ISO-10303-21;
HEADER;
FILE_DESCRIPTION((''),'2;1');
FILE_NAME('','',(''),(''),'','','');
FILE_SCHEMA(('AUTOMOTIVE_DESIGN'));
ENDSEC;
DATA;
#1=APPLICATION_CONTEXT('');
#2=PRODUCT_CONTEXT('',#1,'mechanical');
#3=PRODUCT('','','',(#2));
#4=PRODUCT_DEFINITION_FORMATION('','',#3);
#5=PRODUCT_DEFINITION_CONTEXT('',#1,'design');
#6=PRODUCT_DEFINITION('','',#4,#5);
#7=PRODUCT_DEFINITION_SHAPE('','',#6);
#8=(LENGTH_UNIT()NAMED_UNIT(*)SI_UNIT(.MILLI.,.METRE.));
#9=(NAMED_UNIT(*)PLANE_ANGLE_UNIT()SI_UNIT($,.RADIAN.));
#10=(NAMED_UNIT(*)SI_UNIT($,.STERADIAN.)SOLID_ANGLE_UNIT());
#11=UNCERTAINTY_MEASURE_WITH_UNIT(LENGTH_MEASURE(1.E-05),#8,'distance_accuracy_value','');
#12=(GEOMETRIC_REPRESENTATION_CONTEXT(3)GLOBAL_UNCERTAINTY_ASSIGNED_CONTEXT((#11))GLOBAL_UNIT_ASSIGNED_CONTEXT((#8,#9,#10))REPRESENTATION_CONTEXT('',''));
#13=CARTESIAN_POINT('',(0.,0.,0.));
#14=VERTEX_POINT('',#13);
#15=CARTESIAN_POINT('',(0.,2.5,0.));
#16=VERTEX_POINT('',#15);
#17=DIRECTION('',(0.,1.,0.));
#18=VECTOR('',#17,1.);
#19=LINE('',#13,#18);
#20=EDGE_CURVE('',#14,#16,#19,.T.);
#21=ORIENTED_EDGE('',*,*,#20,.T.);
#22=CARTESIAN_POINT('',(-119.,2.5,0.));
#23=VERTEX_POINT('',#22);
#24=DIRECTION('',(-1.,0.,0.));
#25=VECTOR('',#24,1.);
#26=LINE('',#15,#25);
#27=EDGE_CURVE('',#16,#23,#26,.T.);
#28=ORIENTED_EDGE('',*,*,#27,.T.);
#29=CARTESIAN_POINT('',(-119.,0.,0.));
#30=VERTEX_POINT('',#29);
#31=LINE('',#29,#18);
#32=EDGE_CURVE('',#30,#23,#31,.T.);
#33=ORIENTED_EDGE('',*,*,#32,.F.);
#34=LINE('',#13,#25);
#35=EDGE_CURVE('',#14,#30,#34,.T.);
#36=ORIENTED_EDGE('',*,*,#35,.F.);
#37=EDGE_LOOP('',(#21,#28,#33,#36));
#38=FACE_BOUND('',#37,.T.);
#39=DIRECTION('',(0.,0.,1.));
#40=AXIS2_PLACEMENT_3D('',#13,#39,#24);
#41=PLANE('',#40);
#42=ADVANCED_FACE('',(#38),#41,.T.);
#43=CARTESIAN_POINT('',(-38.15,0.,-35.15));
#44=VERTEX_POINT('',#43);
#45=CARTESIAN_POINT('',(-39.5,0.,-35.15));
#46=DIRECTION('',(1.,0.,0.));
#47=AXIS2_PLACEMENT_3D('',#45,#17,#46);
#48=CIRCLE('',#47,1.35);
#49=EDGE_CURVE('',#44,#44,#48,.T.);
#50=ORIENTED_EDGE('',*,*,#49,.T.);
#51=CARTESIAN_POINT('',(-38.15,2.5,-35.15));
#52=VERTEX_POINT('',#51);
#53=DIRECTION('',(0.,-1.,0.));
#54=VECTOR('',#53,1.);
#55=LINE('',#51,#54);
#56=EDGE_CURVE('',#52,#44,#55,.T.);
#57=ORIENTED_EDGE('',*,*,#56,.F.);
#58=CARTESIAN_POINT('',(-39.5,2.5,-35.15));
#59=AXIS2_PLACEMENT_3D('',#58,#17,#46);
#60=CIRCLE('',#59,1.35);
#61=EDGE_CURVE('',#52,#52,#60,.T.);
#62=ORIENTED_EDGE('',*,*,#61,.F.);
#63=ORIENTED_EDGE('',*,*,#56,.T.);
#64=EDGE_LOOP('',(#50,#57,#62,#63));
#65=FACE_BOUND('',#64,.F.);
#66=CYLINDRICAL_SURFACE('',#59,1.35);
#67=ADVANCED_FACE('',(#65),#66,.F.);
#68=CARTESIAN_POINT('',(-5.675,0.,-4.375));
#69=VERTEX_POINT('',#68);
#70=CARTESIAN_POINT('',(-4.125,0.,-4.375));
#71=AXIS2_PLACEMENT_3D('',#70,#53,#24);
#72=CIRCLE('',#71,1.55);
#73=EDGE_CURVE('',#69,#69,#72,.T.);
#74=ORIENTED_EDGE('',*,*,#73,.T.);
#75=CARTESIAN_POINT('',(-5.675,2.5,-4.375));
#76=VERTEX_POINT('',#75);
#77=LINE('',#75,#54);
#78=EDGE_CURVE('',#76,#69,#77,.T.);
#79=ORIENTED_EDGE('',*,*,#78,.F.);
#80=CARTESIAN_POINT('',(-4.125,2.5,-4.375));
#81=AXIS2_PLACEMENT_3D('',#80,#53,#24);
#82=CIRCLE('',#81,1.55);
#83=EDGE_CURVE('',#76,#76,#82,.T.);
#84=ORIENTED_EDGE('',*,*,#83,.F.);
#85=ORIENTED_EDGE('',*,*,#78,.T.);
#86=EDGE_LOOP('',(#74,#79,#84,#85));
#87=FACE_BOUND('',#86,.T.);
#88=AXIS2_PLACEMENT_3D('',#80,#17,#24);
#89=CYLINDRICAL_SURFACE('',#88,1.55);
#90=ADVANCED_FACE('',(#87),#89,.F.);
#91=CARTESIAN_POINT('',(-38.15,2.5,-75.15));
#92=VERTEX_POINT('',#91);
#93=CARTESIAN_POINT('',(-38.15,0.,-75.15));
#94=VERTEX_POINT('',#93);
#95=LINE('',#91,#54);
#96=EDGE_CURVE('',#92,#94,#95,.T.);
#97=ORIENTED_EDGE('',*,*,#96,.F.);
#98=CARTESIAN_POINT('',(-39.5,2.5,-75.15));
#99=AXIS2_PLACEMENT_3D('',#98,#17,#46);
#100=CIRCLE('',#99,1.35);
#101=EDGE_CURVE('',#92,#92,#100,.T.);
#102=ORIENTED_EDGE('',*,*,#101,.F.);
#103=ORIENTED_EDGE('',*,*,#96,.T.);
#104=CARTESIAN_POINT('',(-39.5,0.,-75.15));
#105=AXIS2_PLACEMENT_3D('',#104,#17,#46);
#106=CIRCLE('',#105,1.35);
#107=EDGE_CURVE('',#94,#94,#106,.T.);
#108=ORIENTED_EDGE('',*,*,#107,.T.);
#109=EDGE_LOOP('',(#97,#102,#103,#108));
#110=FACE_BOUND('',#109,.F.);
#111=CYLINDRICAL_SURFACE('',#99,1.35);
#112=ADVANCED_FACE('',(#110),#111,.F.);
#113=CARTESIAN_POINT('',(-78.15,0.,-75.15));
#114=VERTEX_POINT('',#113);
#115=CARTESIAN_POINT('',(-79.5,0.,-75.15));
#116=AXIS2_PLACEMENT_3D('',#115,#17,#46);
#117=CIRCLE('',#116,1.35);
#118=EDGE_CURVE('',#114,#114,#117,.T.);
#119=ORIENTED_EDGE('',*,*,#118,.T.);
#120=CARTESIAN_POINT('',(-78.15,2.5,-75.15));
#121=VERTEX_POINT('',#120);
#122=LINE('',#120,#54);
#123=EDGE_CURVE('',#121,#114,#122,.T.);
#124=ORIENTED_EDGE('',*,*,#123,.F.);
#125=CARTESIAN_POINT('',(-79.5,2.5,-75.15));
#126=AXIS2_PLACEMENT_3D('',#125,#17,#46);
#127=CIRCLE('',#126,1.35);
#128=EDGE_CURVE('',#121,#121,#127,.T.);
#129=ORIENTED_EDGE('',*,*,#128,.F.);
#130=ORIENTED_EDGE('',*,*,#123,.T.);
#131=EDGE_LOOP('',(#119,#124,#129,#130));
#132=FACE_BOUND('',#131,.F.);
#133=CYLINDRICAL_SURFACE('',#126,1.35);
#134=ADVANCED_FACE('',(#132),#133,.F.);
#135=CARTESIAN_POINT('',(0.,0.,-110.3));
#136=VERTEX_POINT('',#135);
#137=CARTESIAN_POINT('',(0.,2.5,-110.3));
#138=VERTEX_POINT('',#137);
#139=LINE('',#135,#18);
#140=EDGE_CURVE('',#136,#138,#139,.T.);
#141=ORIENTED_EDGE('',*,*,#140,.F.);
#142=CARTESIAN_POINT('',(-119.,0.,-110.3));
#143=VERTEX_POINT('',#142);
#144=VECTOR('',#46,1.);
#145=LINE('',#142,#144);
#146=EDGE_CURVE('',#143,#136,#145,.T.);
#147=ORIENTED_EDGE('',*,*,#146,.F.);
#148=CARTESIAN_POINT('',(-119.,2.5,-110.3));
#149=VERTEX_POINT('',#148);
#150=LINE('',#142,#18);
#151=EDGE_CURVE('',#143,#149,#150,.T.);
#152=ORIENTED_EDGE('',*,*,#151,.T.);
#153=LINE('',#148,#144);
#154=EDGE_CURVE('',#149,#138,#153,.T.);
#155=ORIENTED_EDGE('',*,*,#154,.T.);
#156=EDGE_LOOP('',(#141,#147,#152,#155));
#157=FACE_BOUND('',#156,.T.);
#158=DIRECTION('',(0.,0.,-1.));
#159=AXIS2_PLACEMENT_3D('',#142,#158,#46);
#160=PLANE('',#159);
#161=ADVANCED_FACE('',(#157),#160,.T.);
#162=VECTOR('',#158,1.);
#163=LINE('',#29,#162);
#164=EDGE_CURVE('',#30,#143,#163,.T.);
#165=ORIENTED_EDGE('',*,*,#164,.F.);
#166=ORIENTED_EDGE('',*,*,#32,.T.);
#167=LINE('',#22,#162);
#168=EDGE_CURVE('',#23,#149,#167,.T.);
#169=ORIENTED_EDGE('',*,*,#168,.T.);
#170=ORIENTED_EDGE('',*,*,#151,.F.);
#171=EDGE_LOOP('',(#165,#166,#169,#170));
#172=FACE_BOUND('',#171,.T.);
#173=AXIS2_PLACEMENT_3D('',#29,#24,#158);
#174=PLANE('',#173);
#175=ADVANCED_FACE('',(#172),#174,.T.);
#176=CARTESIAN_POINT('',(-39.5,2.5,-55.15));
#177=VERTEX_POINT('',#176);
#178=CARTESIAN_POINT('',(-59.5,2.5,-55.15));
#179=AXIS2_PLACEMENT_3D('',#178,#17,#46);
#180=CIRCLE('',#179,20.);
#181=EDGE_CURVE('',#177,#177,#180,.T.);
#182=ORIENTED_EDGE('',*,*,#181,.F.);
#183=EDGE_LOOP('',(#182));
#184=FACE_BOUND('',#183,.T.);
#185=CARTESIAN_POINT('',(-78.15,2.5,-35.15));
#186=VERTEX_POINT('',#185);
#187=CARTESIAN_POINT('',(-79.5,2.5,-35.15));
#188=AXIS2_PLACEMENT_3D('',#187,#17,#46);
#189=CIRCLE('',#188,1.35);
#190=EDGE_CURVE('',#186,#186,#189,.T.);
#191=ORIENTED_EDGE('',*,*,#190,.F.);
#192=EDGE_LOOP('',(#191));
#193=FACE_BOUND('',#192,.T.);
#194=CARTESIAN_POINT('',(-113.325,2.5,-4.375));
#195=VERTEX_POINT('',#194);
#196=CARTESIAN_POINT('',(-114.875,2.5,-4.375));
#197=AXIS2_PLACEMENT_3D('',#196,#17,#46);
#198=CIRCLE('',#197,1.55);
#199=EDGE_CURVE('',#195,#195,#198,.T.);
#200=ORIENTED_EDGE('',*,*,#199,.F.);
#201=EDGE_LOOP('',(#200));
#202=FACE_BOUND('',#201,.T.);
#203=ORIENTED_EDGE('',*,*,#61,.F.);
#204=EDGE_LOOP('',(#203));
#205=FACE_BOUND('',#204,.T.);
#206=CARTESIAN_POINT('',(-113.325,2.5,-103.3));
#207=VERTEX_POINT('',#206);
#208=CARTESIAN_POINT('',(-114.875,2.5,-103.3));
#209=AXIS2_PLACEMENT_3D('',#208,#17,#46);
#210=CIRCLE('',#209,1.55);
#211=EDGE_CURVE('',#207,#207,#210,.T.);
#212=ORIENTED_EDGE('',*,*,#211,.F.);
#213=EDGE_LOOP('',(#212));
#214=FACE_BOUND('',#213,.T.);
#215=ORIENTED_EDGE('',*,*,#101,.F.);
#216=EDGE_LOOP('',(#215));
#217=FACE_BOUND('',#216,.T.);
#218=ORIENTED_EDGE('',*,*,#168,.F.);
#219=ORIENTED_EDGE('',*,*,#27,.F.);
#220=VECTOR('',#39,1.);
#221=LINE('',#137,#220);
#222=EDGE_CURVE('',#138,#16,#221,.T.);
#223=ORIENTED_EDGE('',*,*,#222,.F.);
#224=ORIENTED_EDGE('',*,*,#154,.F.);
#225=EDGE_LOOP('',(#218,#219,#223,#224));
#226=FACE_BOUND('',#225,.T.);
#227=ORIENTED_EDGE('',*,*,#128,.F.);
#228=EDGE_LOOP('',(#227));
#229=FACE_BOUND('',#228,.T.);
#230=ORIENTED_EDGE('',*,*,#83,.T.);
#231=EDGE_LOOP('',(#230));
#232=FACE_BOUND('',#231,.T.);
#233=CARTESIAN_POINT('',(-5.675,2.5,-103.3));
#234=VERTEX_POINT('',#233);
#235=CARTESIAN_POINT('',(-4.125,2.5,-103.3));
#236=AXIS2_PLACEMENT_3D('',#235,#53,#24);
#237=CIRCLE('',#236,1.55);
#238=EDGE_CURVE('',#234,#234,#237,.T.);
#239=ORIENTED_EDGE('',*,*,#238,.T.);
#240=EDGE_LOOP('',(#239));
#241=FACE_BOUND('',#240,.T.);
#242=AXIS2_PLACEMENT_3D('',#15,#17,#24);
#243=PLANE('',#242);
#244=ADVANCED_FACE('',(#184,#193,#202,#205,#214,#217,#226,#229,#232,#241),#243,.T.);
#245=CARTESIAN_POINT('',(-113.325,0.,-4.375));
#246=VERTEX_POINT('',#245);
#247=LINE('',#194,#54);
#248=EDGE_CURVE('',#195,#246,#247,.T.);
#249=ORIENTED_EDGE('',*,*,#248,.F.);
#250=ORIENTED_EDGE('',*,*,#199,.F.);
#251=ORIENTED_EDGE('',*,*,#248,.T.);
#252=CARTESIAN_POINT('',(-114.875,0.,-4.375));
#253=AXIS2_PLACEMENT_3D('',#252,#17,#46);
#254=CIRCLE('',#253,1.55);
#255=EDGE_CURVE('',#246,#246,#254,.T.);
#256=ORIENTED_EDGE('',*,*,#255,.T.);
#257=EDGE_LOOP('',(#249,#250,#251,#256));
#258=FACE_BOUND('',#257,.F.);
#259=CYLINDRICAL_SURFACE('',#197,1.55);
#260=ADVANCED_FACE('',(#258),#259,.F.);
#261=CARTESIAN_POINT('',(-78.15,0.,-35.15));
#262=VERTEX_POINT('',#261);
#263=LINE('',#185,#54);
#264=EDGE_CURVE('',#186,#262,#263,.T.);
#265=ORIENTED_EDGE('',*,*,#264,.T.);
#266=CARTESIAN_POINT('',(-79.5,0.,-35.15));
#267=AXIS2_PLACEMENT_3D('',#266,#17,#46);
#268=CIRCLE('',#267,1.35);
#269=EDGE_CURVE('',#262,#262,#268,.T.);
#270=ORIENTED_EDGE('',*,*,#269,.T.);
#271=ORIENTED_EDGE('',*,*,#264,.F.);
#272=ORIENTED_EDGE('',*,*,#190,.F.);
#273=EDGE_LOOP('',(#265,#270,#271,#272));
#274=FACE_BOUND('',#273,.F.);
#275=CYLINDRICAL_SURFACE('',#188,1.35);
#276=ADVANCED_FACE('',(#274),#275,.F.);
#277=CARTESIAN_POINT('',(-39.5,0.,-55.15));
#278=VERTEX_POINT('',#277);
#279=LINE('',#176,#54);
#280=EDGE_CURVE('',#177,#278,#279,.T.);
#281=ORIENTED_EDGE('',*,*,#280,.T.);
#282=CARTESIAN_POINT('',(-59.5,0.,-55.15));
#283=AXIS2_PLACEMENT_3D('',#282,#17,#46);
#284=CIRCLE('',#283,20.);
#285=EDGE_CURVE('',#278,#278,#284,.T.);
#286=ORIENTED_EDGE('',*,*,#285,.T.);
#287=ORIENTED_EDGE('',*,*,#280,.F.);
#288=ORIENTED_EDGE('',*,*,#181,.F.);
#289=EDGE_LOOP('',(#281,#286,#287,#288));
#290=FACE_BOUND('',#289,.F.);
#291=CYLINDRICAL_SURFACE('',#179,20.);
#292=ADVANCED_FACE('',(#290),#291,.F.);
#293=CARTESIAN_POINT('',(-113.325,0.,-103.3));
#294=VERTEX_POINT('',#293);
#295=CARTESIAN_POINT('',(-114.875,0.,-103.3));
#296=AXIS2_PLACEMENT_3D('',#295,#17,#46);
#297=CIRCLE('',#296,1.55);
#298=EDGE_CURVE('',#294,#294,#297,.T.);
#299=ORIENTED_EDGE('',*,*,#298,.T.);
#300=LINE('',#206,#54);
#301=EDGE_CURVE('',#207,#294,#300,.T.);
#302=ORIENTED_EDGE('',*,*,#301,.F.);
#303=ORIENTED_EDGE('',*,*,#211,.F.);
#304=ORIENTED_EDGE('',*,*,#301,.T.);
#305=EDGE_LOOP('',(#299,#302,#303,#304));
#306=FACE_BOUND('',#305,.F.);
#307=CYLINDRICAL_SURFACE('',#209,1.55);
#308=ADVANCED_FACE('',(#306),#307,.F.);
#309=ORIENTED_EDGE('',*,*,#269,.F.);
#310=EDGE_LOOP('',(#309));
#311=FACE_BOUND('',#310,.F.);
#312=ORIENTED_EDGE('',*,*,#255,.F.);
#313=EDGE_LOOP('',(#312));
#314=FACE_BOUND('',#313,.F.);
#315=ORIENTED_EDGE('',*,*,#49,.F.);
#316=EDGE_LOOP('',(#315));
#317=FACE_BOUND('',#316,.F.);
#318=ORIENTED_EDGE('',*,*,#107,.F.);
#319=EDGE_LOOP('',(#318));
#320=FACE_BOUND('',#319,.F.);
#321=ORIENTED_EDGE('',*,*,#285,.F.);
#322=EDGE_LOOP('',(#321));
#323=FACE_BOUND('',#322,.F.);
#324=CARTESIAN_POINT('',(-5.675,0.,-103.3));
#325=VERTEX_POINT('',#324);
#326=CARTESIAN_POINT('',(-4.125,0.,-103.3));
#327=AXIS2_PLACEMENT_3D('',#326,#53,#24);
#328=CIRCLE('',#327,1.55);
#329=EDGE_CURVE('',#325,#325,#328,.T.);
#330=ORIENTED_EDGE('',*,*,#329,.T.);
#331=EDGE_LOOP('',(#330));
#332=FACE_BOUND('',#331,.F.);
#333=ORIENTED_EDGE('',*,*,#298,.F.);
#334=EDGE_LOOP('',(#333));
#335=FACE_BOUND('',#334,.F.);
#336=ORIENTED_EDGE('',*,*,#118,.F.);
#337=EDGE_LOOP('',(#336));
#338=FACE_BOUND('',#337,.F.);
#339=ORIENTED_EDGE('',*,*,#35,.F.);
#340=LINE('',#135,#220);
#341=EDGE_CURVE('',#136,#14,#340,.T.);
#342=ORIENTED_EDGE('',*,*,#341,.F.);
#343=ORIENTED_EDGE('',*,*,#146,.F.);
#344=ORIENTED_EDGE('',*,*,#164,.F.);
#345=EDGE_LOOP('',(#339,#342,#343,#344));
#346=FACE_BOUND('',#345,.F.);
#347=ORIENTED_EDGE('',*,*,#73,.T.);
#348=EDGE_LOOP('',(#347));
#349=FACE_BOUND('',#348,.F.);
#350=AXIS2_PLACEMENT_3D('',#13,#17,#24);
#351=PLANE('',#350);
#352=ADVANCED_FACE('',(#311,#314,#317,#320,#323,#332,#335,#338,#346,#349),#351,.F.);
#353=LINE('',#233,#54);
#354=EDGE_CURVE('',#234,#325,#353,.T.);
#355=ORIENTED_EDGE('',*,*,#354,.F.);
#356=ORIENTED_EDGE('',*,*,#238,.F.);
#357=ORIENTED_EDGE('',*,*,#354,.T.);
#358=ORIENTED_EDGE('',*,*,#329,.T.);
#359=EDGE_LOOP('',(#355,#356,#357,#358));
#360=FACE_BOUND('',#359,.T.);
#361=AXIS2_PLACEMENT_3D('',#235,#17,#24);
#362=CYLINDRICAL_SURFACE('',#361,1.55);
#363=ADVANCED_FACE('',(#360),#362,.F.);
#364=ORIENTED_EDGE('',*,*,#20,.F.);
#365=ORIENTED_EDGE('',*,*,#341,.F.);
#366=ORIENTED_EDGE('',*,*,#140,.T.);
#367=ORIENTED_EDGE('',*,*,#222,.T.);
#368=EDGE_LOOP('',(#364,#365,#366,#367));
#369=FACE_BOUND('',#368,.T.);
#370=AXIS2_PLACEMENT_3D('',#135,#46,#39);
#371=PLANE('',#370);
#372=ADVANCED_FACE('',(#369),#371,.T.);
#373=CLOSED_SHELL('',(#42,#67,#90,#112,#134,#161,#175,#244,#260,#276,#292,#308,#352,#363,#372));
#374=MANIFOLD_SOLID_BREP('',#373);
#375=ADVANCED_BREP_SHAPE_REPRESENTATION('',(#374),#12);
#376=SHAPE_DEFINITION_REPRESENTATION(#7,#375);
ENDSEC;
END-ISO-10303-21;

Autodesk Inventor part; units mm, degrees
ref_plane "YZ Plane" through (0, 0, 0) normal (1, 0, 0) x (0, 1, 0)
ref_plane "XZ Plane" through (0, 0, 0) normal (0, 1, 0) x (-1, 0, 0)
sketch "Sketch1" plane through (0, 0, 0) normal (0, 1, 0) x (-1, 0, 0)
  line L0 (0, 0) -> (119, 0)
  line L1 (119, 0) -> (119, -110.3)
  line L2 (119, -110.3) -> (0, -110.3)
  line L3 (0, -110.3) -> (0, 0)
  dimension "d0" = 119
  dimension "d1" = 110.3
extrude "Extrusion1" add sketch "Sketch1" along normal blind 2.5
sketch "Sketch2" plane through (0, 2.5, 0) normal (0, 1, 0) x (1, 0, 0)
  line L0 (-119, 0) -> (0, 0) projected
  line L1 (0, 0) -> (0, 110.3) projected
  line L2 (0, 110.3) -> (-119, 110.3) projected
  line L3 (-119, 110.3) -> (-119, 0) projected
  circle A0 centre (-114.875, 4.375) radius 1.55
  circle A1 centre (-114.875, 103.3) radius 1.55
  dimension "d4" = 3.1
  dimension "d5" = 4.125
  dimension "d6" = 4.375
  dimension "d7" = 3.1
  dimension "d8" = 7
extrude "Extrusion2" cut sketch "Sketch2" against normal blind 2.5 contours A0 | A1
ref_plane "Work Plane1" through (-59.5, 0, 0) normal (1, 0, 0) x (0, 0, -1)
mirror "Mirror1" about plane through (-59.5, 0, 0) normal (1, 0, 0) of "Extrusion2"
sketch "Sketch3" plane through (0, 2.5, 0) normal (0, 1, 0) x (1, 0, 0)
  circle A0 centre (-4.125, 4.375) radius 1.55 projected
  circle A1 centre (-4.125, 103.3) radius 1.55 projected
  circle A2 centre (-114.875, 4.375) radius 1.55 projected
  circle A3 centre (-114.875, 103.3) radius 1.55 projected
  line L0 (-119, 0) -> (0, 0) projected
  line L1 (0, 0) -> (0, 110.3) projected
  line L2 (0, 110.3) -> (-119, 110.3) projected
  line L3 (-119, 110.3) -> (-119, 0) projected
  circle A4 centre (-59.5, 55.15) radius 20
  circle A5 centre (-39.5, 35.15) radius 1.35
  circle A6 centre (-79.5, 35.15) radius 1.35
  circle A7 centre (-79.5, 75.15) radius 1.35
  circle A8 centre (-39.5, 75.15) radius 1.35
  dimension "d16" = 2.7
  dimension "d17" = 2.7
  dimension "d18" = 2.7
  dimension "d19" = 2.7
extrude "Extrusion3" cut sketch "Sketch3" against normal blind 2.5 contours A4 | A5 | A6 | A7 | A8
properties part number "Base Cover Right"
